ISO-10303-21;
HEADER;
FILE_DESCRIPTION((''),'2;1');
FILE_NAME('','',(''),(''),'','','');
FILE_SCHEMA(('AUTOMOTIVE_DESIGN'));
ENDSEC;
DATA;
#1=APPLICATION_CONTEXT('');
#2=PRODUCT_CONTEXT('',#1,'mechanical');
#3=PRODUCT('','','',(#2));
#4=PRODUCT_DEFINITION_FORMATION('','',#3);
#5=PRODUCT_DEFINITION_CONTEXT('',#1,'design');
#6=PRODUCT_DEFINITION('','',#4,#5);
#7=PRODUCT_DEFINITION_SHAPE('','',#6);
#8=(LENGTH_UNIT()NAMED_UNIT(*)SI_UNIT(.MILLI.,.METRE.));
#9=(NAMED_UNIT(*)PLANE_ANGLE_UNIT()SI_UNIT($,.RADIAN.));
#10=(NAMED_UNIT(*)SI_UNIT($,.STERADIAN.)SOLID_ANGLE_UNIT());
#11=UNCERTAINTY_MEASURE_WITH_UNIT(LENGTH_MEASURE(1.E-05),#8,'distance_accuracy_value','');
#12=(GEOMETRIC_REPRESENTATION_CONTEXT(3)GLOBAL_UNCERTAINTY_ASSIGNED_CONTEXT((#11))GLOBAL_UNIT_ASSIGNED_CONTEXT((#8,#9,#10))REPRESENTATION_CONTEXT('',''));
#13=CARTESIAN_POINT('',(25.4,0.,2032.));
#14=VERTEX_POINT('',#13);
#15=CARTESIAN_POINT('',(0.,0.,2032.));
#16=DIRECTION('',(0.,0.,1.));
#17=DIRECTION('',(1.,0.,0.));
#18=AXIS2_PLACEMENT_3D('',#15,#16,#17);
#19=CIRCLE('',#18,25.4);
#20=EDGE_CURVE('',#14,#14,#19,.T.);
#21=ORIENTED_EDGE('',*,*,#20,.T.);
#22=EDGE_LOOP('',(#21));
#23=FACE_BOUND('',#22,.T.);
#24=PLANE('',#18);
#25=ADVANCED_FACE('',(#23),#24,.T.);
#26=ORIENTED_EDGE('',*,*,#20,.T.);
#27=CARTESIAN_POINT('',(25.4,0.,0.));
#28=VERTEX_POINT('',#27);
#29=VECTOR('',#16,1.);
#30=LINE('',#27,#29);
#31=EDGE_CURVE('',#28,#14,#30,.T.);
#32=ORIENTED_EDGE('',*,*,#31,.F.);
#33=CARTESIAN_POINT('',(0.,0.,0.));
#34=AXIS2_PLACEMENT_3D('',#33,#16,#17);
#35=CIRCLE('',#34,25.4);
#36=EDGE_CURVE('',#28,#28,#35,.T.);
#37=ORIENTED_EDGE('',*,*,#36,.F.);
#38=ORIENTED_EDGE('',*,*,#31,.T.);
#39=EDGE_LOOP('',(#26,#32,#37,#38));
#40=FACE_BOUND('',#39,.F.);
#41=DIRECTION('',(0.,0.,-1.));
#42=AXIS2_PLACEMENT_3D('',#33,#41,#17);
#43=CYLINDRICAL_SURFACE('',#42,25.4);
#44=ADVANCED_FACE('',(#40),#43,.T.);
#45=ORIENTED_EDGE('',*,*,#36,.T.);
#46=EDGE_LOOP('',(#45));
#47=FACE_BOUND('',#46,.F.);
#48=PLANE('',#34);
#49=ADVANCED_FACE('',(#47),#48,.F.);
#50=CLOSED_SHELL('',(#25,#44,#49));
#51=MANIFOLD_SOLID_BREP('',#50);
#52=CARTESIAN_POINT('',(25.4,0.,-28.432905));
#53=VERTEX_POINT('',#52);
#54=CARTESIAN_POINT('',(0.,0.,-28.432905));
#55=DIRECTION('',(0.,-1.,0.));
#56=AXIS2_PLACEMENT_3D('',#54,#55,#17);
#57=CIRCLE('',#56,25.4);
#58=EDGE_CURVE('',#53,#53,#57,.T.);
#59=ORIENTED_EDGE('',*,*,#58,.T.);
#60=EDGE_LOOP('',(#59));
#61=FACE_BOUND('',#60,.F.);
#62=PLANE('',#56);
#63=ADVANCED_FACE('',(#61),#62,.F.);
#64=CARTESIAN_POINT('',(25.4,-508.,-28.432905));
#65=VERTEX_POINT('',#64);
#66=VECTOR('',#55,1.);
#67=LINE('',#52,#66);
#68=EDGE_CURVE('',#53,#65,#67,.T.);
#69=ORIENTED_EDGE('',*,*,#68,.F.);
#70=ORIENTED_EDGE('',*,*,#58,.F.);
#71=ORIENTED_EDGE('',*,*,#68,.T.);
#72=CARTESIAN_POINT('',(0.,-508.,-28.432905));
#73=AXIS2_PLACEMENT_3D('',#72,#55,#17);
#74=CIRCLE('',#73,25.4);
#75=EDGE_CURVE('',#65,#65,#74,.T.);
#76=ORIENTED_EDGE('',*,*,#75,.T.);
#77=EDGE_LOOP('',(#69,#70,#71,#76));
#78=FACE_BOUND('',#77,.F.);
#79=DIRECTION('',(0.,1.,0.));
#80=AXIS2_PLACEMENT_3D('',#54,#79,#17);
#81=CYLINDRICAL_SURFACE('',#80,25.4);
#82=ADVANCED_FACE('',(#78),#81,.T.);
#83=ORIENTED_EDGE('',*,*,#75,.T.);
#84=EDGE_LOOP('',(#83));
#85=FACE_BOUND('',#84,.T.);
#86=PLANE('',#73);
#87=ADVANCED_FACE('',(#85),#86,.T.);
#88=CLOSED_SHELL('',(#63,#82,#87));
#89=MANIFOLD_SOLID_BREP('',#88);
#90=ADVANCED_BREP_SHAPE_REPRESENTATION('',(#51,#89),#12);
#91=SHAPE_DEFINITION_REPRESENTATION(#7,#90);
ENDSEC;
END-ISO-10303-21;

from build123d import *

# Parameters (mm, degrees)
F0_R     = 25.4
F1_DEPTH = 2032
F2_R     = 25.4
F3_DEPTH = 508


with BuildPart() as f1:
    # F0 (on Top) → F1 (new body)
    with BuildSketch(Plane.XY):
        Circle(F0_R)
    extrude(amount=F1_DEPTH)


with BuildPart() as f3:
    # F2 (on Front) → F3 (new body)
    with BuildSketch(Plane.XZ):
        with Locations((0, -28.432905)):
            Circle(F2_R)
    extrude(amount=F3_DEPTH)


solid = Compound([f1.part, f3.part])
